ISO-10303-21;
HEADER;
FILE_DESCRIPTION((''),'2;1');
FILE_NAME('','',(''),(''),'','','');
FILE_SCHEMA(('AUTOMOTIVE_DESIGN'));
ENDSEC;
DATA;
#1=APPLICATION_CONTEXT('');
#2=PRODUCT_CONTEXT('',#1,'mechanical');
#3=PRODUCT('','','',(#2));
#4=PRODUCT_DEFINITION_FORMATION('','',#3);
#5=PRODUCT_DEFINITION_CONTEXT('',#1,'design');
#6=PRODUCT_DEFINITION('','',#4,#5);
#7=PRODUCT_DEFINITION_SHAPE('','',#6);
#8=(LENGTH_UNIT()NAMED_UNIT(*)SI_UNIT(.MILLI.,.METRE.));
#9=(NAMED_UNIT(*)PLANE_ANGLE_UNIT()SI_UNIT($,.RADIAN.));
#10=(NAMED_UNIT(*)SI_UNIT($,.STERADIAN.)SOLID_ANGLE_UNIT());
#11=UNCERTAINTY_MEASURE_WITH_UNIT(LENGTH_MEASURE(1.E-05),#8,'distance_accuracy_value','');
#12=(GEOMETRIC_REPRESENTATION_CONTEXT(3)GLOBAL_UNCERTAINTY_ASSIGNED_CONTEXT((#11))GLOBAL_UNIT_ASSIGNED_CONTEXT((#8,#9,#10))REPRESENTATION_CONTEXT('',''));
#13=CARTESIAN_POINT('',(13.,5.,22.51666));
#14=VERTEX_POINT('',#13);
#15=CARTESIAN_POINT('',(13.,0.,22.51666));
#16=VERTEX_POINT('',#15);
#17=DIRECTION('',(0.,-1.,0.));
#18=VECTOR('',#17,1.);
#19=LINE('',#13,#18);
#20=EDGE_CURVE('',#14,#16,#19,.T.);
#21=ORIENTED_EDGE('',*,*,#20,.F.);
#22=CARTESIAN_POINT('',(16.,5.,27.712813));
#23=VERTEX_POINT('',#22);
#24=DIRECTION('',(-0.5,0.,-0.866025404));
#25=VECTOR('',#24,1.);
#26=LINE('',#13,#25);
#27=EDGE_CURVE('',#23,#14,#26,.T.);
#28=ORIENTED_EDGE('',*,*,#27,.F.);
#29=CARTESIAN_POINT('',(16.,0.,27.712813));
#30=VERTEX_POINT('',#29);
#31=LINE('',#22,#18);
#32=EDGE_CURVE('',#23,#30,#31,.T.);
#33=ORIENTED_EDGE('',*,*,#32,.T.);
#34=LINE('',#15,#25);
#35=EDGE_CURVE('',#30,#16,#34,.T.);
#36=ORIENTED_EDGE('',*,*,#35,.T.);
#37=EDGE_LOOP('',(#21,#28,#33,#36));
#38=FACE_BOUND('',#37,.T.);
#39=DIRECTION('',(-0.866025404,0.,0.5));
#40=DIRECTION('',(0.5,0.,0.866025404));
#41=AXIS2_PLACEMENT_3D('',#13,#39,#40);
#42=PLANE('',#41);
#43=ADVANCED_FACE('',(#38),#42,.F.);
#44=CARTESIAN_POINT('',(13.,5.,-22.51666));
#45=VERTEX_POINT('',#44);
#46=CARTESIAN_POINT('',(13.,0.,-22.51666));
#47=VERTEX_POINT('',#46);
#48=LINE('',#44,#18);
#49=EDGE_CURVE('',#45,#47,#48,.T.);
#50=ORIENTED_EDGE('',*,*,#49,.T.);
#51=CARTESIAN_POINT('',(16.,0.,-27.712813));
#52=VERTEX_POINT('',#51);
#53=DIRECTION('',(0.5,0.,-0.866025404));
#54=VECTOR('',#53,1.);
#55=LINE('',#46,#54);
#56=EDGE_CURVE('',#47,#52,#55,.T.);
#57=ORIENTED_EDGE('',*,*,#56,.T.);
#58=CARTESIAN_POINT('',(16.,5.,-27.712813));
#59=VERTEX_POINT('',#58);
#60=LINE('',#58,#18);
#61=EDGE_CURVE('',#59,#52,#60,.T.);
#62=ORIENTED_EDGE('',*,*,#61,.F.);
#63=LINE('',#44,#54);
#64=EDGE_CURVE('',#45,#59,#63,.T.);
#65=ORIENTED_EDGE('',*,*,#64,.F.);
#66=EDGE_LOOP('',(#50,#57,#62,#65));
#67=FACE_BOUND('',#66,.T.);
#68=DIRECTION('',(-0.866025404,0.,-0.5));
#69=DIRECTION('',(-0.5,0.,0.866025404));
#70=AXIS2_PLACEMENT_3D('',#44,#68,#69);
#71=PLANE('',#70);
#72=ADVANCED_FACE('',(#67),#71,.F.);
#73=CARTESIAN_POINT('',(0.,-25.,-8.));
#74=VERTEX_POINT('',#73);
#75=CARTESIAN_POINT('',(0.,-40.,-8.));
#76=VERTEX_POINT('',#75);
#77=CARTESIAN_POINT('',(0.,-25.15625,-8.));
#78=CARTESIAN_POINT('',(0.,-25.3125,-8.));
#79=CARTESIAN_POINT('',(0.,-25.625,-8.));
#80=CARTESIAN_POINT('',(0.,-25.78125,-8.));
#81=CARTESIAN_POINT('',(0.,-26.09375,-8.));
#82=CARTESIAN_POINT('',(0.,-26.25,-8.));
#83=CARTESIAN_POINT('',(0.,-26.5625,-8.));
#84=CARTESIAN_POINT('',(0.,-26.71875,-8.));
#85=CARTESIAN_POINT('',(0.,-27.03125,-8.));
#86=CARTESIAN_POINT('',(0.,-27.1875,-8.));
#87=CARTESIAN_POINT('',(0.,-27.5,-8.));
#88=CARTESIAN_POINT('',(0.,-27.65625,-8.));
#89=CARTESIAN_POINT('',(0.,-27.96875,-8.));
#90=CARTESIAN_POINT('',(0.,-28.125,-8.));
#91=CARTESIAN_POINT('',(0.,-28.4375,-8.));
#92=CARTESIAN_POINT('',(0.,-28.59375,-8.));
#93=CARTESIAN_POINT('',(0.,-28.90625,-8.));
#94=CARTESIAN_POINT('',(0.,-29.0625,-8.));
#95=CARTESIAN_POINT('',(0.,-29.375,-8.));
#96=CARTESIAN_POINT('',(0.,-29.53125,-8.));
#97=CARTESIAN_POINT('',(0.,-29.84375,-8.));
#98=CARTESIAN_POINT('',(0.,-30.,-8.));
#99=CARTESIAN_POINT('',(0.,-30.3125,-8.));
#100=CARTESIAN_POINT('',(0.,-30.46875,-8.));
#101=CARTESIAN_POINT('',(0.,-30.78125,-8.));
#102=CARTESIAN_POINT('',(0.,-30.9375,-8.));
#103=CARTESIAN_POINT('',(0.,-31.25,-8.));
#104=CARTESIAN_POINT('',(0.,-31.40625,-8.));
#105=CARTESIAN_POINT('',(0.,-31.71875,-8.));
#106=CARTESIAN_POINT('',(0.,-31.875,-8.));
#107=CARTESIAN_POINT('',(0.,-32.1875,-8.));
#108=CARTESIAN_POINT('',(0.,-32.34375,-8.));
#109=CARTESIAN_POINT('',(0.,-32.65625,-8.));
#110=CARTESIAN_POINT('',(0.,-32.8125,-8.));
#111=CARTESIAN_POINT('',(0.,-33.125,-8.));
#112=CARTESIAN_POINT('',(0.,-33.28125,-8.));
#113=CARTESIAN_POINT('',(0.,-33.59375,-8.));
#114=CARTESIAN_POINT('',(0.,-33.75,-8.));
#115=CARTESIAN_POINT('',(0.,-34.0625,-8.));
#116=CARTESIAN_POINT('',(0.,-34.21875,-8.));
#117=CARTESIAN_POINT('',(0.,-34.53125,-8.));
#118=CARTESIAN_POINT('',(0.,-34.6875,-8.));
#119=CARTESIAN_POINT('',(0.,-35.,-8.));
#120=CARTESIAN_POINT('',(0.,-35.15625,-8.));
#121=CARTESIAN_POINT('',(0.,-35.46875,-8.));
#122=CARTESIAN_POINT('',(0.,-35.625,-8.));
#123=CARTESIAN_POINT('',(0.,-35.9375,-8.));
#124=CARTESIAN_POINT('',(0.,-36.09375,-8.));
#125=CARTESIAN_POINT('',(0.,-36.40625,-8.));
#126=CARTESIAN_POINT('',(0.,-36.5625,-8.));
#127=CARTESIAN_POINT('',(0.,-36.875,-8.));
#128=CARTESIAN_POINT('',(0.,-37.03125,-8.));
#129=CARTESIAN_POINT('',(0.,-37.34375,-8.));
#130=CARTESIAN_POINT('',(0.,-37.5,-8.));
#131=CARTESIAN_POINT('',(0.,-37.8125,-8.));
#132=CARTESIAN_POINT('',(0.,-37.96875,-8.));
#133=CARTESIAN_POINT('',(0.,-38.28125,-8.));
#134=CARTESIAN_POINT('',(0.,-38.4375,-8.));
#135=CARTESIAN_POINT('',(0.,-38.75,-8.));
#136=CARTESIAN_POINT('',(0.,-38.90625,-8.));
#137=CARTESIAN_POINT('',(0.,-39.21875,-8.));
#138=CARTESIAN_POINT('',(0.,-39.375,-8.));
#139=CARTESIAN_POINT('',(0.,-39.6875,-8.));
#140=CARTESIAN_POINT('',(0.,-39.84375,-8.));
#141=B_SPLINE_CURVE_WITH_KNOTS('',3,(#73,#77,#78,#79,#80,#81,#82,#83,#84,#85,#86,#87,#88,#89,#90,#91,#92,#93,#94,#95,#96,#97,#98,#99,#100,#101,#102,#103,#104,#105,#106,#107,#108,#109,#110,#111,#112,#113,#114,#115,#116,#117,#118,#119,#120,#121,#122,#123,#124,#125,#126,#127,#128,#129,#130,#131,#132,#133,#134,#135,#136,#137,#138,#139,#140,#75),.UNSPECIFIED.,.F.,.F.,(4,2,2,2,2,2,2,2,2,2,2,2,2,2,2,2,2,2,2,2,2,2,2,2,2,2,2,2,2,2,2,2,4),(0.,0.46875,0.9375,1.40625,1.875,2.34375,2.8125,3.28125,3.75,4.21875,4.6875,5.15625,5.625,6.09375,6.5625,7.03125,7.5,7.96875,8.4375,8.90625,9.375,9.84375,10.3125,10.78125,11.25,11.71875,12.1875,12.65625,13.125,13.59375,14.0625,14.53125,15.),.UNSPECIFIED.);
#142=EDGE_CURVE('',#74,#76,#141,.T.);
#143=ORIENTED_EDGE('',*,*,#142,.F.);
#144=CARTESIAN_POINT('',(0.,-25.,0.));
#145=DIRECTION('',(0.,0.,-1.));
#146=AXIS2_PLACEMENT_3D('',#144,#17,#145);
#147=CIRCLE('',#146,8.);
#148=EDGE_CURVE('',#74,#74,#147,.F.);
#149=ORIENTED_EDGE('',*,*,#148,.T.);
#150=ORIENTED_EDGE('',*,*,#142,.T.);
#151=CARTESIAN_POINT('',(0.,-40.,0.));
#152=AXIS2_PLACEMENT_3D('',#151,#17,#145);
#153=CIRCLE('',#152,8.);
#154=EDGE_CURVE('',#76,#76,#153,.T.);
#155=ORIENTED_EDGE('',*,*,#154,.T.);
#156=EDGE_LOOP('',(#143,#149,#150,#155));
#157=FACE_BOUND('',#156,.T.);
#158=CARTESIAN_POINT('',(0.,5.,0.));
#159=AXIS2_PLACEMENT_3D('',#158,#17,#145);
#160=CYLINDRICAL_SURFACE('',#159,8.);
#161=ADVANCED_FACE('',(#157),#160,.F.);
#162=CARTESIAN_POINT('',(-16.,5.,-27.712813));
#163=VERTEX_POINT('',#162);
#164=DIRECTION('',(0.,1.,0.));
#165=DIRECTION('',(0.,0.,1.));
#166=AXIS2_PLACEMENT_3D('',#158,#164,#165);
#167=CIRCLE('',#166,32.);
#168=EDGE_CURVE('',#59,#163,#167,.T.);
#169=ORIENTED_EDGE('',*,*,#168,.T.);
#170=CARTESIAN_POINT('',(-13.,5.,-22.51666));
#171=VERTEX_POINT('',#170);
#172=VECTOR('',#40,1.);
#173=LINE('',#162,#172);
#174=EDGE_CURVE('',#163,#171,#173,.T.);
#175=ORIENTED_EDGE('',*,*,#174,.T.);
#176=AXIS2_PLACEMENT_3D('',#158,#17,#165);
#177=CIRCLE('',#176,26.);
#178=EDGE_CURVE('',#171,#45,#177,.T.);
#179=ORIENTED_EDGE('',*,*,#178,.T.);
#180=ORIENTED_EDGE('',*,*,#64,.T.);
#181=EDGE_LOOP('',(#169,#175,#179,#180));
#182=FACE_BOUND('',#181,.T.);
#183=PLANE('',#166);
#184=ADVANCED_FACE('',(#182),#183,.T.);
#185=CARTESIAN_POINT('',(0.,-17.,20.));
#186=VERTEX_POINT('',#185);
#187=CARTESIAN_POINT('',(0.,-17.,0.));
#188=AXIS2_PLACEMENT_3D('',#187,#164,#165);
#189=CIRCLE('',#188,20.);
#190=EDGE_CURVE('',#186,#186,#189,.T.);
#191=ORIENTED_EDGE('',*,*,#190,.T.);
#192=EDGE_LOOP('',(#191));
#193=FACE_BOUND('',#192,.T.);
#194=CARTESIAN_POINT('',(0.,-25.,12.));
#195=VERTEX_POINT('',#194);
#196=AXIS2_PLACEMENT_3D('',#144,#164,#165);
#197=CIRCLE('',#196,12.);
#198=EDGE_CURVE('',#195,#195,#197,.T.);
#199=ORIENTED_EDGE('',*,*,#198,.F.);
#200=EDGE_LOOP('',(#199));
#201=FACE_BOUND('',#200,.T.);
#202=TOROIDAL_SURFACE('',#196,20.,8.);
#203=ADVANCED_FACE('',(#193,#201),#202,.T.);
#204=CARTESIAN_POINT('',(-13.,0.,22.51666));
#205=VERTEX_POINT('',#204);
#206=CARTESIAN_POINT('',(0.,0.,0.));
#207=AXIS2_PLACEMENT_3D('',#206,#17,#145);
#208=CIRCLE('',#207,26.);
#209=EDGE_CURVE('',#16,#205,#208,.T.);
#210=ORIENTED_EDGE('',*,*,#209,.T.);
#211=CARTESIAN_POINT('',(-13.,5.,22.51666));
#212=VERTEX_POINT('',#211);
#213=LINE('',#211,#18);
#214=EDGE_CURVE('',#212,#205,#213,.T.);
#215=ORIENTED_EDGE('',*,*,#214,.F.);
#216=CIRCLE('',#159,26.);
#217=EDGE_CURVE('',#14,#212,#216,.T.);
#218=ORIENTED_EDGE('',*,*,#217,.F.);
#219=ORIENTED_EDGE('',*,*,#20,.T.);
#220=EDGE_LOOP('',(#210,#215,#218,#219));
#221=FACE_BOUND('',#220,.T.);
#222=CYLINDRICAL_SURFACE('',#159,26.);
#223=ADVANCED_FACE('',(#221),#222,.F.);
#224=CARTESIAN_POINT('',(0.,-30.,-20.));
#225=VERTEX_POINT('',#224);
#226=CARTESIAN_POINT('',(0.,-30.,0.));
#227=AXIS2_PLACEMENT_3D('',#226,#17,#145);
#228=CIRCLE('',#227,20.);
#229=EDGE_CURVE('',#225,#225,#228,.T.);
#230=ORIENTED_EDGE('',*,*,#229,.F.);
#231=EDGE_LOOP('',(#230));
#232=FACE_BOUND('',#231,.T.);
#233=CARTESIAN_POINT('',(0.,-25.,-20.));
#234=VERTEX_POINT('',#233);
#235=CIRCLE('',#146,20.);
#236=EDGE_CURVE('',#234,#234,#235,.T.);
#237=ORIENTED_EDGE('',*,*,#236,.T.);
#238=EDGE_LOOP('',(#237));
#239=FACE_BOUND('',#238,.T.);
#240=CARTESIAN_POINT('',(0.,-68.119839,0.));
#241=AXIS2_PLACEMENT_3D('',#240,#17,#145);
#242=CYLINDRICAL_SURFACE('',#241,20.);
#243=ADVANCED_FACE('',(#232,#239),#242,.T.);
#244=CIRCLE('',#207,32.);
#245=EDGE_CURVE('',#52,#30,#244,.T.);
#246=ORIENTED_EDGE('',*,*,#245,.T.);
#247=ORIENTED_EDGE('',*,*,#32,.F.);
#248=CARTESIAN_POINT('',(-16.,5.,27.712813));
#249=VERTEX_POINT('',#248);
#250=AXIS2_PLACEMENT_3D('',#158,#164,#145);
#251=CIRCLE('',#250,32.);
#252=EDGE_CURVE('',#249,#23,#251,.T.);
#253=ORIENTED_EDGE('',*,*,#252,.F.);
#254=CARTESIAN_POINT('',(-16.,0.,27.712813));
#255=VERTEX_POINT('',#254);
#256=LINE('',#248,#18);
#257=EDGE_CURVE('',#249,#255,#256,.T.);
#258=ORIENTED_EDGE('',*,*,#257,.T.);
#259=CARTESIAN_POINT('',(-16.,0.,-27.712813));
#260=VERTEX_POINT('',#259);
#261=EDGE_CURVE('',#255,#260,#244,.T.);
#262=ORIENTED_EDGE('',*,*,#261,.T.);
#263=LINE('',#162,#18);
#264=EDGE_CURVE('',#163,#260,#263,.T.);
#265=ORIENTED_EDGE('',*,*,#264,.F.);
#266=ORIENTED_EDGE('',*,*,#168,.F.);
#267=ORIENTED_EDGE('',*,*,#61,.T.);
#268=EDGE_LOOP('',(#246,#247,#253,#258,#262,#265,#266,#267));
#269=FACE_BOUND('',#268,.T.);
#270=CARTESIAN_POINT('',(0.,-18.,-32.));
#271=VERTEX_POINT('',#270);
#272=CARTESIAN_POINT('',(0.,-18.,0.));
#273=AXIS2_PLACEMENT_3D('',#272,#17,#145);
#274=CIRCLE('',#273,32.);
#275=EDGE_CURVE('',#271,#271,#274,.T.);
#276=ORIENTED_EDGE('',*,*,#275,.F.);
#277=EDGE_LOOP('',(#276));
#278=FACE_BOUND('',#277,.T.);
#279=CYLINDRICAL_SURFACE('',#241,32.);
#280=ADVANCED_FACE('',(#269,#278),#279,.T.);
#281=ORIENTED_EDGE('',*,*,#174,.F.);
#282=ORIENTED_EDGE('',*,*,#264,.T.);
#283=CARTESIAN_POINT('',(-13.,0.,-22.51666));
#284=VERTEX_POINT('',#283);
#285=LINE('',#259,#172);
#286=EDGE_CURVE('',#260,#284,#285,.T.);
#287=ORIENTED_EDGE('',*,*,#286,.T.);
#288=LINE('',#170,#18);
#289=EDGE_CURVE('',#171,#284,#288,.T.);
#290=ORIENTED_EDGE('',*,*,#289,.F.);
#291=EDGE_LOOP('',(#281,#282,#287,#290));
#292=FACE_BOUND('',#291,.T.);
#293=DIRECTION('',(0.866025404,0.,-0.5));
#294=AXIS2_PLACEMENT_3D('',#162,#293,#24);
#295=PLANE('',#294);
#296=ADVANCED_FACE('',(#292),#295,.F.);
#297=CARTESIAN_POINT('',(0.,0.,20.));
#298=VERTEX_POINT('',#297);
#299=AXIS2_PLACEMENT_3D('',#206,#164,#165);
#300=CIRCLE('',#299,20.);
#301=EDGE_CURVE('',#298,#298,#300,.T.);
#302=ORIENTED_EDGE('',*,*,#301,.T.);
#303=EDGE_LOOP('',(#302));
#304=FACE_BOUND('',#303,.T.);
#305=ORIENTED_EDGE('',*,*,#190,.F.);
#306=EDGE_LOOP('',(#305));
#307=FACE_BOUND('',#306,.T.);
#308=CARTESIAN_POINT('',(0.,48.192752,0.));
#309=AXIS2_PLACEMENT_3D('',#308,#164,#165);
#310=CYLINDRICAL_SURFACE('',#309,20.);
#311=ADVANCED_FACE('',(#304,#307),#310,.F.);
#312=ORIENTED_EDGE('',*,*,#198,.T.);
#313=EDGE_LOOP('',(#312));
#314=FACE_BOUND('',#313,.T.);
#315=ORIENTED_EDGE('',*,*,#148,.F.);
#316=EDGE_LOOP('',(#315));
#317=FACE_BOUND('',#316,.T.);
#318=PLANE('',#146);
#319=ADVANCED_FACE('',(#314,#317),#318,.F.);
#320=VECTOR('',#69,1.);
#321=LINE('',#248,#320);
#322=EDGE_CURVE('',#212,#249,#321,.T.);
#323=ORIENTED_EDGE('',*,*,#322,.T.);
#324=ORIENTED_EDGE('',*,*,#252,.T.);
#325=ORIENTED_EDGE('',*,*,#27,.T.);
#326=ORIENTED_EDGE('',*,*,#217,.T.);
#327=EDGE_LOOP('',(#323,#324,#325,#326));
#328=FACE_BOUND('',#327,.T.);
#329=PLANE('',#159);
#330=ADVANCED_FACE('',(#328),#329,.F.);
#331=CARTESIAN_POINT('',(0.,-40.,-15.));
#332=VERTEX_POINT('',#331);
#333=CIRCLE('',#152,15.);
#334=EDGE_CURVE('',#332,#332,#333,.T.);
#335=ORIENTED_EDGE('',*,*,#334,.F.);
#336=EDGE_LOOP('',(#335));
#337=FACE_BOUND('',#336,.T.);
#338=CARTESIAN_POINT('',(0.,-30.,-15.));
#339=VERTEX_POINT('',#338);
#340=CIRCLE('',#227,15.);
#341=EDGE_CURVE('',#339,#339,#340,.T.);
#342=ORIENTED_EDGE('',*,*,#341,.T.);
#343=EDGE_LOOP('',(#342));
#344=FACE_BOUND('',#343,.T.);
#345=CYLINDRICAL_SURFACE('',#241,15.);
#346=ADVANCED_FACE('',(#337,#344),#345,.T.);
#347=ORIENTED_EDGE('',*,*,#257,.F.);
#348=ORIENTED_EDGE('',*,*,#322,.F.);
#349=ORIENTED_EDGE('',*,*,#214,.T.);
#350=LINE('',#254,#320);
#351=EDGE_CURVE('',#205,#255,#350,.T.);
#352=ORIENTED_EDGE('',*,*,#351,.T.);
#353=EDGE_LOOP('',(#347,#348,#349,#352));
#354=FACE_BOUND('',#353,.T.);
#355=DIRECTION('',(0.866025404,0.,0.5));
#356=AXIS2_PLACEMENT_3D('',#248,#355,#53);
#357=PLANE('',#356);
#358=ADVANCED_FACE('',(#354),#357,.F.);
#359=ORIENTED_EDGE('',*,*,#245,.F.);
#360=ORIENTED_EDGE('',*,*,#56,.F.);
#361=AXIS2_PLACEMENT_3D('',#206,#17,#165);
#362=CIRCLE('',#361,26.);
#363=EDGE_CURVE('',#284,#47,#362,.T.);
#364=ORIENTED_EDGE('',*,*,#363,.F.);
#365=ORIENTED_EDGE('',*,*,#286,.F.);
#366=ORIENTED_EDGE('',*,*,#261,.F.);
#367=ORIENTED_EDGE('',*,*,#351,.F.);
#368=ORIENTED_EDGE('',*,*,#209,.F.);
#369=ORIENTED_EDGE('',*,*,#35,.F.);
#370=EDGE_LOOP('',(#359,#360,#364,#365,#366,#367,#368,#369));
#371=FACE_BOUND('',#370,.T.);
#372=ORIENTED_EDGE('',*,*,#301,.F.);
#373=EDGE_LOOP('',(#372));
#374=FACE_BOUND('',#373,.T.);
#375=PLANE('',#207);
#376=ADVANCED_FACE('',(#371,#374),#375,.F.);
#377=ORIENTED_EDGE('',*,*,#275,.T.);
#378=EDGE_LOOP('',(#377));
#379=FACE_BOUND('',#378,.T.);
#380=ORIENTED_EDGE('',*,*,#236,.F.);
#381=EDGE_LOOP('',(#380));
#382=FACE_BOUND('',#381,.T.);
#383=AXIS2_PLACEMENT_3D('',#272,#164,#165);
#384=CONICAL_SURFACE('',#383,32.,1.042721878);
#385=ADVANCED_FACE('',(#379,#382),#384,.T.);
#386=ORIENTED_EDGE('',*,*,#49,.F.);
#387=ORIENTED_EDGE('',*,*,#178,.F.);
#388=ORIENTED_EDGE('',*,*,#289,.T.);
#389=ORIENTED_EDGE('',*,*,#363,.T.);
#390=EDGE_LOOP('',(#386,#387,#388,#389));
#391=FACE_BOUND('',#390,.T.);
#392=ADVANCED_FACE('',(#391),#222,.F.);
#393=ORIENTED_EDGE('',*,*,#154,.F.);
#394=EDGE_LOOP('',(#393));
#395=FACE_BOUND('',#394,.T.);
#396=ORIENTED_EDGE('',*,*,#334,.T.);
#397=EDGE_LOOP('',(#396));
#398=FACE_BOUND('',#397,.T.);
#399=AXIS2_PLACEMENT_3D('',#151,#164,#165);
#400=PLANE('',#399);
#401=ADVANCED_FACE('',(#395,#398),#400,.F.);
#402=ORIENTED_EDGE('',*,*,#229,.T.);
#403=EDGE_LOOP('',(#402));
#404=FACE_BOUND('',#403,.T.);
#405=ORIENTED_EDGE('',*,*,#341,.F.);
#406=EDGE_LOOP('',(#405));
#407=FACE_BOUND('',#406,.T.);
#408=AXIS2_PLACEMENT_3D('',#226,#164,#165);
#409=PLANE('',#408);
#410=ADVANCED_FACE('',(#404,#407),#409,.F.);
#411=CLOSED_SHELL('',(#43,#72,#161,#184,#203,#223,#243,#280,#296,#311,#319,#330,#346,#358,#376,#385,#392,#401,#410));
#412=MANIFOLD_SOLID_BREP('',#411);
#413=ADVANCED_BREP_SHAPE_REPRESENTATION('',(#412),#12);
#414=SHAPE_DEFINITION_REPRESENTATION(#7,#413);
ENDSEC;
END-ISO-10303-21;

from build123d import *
from build123d.topology import SkipClean

# Parameters (mm, degrees)
SKETCH3_W           = 10
SKETCH3_H           = 15
SKETCH3_W_2         = 18
SKETCH3_H_2         = 32
BOSS_EXTRUDE2_DEPTH = 5
SKETCH5_R           = 8
CUT_EXTRUDE1_DEPTH  = 64.820059542
SKETCH6_W           = 17
SKETCH6_H           = 20


with BuildPart() as part:
    # Sketch3 → Revolve1 (revolve)
    with BuildSketch(Plane.YZ, mode=Mode.PRIVATE) as revolve1_sk:
        with Locations((-35, 7.5)):
            Rectangle(SKETCH3_W, SKETCH3_H)
        Polygon((-30, 0), (-25, 0), (-25, 20), (-30, 20), (-30, 15), align=None)
        Polygon((-25, 0), (-18, 0), (-18, 32), (-25, 20), align=None)
        with Locations((-9, 16)):
            Rectangle(SKETCH3_W_2, SKETCH3_H_2)
    revolve(revolve1_sk.sketch.rotate(Axis((0, -68.119839204, 0), (0, 1, 0)), 180), axis=Axis((0, -68.119839204, 0), (0, 1, 0)))

    # Sketch4 → Boss-Extrude2 (add)
    with SkipClean():  # the faces are left unmerged after this step: merging them gives an invalid solid
        with BuildSketch(Plane(origin=(0, 0, 0), x_dir=(-1, 0, 0), z_dir=(0, 1, 0))):
            with BuildLine():
                Line((-13, -22.516660498), (-16, -27.712812921))
                ThreePointArc((-16, -27.712812921), (0, -32), (16, -27.712812921))
                Line((16, -27.712812921), (13, -22.516660498))
                ThreePointArc((13, -22.516660498), (0, -26), (-13, -22.516660498))
            make_face()
            with BuildLine():
                Line((-13, 22.516660498), (-16, 27.712812921))
                ThreePointArc((-16, 27.712812921), (0, 32), (16, 27.712812921))
                Line((16, 27.712812921), (13, 22.516660498))
                ThreePointArc((13, 22.516660498), (0, 26), (-13, 22.516660498))
            make_face()
        extrude(amount=BOSS_EXTRUDE2_DEPTH)

    # Sketch5 → Cut-Extrude1 (cut, through all)
    with SkipClean():  # the faces are left unmerged after this step: merging them gives an invalid solid
        with BuildSketch(Plane.XZ.offset(40)):
            with Locations(Location((0, 0, 0), (0, 0, 270))):
                Circle(SKETCH5_R)
        extrude(amount=-CUT_EXTRUDE1_DEPTH, mode=Mode.SUBTRACT)

    # Sketch6 → Cut-Revolve1 (revolve, cut)
    with SkipClean():  # the faces are left unmerged after this step: merging them gives an invalid solid
        with BuildSketch(Plane.YZ, mode=Mode.PRIVATE) as cut_revolve1_sk:
            with Locations((-8.5, 10)):
                Rectangle(SKETCH6_W, SKETCH6_H)
            with BuildLine():
                Line((-17, 0), (-17, 20))
                ThreePointArc((-17, 20), (-19.343145751, 14.343145751), (-25, 12))
                Line((-25, 12), (-25, 0))
                Line((-25, 0), (-17, 0))
            make_face()
        revolve(cut_revolve1_sk.sketch.rotate(Axis((0, 48.192751934, 0), (0, -1, 0)), 180), axis=Axis((0, 48.192751934, 0), (0, -1, 0)), mode=Mode.SUBTRACT)


solid = part.part
